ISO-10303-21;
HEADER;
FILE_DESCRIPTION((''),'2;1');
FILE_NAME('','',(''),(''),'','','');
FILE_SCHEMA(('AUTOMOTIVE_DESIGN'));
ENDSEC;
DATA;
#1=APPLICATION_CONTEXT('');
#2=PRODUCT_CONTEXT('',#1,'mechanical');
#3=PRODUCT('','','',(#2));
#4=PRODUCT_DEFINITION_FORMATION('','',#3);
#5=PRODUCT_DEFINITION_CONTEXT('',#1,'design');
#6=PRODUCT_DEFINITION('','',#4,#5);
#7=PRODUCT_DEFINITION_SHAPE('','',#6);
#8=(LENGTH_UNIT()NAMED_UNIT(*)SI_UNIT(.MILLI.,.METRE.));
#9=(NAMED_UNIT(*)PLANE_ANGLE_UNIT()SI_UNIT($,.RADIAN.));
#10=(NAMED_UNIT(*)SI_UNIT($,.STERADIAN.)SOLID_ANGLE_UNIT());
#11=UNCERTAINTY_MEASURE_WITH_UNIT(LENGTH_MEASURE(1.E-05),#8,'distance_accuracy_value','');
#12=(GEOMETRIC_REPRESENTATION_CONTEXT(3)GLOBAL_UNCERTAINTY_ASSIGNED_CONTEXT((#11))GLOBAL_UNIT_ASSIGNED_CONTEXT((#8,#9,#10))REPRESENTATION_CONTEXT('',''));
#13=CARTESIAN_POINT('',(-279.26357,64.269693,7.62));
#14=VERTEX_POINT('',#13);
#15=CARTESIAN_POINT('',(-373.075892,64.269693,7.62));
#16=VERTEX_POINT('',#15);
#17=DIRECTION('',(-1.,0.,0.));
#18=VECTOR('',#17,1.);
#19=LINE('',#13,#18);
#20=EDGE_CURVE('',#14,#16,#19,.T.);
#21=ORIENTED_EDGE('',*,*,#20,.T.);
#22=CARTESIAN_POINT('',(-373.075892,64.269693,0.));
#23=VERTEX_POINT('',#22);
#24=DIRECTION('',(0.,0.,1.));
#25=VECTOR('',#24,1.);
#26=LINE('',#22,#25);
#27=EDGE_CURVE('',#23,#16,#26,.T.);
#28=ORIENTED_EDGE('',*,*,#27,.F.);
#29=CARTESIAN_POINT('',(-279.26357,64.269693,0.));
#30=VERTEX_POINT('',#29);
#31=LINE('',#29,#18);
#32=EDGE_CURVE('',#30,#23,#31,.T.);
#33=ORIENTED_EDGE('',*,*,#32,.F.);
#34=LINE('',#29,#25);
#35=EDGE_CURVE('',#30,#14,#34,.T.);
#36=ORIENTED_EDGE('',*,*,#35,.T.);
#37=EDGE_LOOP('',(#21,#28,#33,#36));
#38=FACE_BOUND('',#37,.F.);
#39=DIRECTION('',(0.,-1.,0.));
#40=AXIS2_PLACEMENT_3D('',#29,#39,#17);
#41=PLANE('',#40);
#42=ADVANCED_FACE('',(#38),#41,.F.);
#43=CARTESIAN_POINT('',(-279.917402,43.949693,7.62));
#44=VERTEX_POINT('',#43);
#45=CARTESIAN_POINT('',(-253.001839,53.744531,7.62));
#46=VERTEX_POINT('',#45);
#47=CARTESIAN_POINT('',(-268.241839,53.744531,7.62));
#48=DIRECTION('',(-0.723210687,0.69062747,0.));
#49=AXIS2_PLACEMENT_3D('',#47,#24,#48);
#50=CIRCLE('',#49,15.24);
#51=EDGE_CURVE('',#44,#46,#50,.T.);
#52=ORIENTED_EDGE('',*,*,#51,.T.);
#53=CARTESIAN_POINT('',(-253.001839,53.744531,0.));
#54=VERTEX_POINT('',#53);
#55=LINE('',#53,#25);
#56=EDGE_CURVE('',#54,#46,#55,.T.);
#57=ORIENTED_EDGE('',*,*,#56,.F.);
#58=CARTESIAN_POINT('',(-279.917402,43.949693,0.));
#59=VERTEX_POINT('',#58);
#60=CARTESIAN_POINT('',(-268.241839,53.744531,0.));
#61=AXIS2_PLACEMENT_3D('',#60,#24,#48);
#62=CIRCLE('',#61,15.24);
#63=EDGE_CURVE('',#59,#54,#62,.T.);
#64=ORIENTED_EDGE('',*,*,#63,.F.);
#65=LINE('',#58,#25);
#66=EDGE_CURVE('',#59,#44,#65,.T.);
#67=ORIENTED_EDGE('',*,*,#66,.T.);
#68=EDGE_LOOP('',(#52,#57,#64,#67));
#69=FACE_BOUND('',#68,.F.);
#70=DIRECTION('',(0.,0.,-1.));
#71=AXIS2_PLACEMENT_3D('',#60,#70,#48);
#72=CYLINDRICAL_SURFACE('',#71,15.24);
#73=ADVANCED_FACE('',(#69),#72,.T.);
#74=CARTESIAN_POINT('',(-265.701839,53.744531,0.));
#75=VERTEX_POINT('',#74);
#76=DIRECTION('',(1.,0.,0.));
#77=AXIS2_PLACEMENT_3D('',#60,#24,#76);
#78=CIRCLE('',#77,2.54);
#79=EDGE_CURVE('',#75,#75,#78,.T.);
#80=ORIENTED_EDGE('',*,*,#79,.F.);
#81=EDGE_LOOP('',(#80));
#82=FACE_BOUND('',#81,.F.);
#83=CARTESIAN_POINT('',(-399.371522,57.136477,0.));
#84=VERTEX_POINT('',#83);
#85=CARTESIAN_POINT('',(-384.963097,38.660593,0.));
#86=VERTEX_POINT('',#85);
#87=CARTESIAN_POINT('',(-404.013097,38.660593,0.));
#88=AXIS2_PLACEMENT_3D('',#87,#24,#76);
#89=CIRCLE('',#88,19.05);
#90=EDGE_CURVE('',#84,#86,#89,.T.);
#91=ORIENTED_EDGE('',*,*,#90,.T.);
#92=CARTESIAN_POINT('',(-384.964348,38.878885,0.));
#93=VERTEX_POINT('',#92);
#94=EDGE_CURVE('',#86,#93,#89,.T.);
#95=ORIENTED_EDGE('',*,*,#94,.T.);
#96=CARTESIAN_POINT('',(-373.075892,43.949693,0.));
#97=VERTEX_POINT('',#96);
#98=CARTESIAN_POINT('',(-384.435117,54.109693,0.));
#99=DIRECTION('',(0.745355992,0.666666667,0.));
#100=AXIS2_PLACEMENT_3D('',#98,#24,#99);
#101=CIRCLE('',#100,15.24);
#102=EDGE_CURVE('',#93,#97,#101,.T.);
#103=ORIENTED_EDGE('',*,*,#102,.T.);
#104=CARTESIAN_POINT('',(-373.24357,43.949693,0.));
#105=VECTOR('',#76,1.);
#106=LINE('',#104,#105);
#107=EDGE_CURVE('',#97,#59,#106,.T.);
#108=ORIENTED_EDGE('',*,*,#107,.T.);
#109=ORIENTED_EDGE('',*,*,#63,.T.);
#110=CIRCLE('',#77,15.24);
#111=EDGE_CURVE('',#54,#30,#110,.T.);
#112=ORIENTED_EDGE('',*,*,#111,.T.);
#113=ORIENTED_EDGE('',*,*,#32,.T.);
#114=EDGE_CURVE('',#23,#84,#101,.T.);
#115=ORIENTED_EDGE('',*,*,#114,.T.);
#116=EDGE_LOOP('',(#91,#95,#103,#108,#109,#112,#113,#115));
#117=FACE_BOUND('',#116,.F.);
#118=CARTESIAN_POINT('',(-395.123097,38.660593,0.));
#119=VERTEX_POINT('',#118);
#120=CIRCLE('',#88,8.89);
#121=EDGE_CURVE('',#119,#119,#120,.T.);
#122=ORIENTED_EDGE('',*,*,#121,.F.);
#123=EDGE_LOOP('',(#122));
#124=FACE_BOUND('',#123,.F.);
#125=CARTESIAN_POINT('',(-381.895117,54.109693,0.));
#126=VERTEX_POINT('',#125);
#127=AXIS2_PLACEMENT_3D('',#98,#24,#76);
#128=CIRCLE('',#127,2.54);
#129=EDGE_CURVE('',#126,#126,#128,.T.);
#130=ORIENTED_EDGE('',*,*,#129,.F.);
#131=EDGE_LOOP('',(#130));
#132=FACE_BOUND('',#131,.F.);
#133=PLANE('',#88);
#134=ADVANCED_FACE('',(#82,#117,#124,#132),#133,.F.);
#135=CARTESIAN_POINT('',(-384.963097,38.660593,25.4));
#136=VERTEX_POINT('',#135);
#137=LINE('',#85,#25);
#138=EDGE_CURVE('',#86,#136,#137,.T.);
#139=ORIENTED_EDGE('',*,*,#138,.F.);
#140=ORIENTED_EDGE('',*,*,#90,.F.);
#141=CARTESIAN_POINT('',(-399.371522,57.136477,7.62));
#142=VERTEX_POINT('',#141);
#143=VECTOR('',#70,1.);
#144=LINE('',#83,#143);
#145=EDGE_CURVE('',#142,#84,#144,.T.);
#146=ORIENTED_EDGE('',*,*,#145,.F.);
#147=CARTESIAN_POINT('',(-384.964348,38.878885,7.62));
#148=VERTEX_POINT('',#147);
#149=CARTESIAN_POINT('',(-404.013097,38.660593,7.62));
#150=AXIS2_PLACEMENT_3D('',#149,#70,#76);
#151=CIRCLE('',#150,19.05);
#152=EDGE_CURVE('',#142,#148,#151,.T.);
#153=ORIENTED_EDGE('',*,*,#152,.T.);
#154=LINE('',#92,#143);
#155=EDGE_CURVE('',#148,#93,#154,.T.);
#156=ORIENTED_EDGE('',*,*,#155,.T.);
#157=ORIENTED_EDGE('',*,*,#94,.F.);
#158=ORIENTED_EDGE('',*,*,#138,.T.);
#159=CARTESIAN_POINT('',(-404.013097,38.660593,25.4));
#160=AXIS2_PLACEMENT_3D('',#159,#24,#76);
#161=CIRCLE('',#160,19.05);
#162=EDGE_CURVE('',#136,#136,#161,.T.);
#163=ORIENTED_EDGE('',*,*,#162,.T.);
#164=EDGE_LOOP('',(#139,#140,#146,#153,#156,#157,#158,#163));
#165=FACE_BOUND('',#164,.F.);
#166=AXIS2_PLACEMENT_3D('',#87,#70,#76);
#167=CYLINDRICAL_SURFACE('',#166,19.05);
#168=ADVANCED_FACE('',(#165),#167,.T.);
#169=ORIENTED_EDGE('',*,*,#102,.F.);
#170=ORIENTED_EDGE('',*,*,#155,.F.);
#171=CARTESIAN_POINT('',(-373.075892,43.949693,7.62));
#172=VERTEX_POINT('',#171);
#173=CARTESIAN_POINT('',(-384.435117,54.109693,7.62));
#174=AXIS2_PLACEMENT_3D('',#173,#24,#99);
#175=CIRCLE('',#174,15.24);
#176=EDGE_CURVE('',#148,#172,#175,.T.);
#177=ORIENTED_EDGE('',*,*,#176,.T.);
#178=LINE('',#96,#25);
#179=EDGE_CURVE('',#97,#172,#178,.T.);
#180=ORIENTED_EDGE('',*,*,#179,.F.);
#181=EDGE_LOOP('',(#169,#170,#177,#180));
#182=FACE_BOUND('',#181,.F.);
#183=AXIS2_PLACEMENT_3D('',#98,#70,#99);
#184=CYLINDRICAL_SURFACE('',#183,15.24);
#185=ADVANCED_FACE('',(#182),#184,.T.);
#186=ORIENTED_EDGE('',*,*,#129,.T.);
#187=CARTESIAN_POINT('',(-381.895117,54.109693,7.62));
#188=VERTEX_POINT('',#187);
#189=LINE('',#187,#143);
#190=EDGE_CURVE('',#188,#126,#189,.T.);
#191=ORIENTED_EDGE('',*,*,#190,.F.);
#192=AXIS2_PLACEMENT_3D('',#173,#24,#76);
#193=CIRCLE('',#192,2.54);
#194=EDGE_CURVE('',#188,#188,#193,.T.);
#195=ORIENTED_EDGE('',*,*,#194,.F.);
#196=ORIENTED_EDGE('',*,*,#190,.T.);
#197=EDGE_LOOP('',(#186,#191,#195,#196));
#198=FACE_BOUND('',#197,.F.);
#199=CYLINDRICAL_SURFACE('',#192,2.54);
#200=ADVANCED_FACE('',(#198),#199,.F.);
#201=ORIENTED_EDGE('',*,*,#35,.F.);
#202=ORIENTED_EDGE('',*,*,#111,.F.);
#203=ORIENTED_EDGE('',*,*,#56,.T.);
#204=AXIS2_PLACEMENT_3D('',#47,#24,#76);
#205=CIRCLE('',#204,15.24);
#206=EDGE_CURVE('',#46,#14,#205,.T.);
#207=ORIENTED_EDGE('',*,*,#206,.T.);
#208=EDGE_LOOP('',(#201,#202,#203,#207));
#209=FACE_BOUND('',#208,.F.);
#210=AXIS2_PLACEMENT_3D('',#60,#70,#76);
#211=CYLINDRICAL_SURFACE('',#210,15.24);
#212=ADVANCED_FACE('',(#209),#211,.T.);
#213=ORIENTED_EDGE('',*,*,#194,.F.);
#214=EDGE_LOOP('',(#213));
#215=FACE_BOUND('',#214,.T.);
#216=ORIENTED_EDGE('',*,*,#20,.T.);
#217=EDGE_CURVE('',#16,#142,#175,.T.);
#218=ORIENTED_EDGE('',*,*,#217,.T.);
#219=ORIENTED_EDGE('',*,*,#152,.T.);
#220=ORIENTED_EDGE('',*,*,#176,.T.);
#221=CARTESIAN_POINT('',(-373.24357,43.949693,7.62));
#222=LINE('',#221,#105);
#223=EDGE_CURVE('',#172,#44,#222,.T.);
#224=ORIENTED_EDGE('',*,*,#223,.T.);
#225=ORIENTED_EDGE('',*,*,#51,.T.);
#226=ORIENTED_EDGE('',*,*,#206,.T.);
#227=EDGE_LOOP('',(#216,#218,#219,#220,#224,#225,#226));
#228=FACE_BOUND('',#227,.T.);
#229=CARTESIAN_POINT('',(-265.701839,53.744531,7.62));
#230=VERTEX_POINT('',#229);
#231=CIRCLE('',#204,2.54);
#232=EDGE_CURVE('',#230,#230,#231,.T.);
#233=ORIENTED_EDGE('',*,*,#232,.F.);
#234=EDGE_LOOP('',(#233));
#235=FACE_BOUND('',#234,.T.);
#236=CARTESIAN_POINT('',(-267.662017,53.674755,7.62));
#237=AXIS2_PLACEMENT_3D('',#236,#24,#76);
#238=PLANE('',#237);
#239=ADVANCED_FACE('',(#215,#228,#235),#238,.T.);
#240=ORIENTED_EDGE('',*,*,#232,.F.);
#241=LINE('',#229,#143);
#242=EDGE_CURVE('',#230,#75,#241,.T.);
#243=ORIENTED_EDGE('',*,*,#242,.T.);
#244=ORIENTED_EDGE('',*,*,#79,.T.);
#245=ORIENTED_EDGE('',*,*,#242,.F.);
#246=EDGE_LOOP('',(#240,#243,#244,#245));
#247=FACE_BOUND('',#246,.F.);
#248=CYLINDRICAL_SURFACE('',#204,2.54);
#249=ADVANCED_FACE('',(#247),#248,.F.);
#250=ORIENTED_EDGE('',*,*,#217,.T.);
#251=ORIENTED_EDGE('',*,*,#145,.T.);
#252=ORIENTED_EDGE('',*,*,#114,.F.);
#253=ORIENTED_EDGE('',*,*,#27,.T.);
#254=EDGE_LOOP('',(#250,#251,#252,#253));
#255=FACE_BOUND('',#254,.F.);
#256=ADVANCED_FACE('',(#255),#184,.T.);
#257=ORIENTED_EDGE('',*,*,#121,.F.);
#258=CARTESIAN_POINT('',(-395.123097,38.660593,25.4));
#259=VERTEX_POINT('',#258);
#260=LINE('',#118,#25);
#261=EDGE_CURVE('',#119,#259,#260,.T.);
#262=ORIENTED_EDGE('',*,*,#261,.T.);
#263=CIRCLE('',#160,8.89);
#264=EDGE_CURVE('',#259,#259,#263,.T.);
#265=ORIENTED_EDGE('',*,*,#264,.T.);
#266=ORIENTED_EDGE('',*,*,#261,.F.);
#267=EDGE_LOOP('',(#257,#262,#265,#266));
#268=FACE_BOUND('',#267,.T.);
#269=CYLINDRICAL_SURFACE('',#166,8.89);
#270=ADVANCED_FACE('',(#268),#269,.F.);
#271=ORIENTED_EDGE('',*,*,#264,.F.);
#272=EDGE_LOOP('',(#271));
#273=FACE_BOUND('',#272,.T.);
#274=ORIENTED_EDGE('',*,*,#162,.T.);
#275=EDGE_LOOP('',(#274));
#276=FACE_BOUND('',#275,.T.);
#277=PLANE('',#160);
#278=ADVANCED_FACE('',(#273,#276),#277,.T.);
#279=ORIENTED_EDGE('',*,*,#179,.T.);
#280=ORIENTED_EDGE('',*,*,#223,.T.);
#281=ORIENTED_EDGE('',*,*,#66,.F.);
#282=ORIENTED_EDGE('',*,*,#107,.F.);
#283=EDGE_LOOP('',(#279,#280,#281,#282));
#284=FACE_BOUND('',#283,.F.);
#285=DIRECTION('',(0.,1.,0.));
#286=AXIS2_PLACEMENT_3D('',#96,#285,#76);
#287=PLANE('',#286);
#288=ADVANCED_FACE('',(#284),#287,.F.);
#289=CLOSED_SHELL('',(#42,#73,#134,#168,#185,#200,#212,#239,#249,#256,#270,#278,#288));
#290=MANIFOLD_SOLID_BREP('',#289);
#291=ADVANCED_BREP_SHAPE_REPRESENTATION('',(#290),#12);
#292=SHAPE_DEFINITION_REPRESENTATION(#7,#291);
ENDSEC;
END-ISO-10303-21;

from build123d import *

# Parameters (mm, degrees)
F1_DEPTH = 7.62
F2_R     = 2.54
F3_DEPTH = 25.4
F4_R     = 19.05
F4_R_2   = 8.89
F5_DEPTH = 25.4


with BuildPart() as f1:
    # F0 (on Top) → F1 (new body)
    with BuildSketch(Plane.XY):
        with BuildLine():
            ThreePointArc((-279.9174020173, 43.9496934414), (-263.0302165533, 39.4233371805), (-253.0018394569, 53.7445308008))
            ThreePointArc((-253.0018394569, 53.7445308008), (-262.5723411754, 67.8907101167), (-279.2635703278, 64.2696934414))
            Line((-279.2635703278, 64.2696934414), (-279.2635703278, 43.9496934414))
            Line((-279.2635703278, 43.9496934414), (-279.9174020173, 43.9496934414))
        make_face()
        with BuildLine():
            Line((-279.2635703278, 43.9496934414), (-279.2635703278, 64.2696934414))
            ThreePointArc((-279.2635703278, 64.2696934414), (-283.4739562591, 54.2346509123), (-279.9174020173, 43.9496934414))
            Line((-279.9174020173, 43.9496934414), (-279.2635703278, 43.9496934414))
        make_face()
        with BuildLine():
            ThreePointArc((-279.9174020173, 43.9496934414), (-283.4739562591, 54.2346509123), (-279.2635703278, 64.2696934414))
            Line((-279.2635703278, 64.2696934414), (-373.075891919, 64.2696934414))
            ThreePointArc((-373.075891919, 64.2696934414), (-370.1983304941, 59.5476620895), (-369.1951172447, 54.1096934414))
            ThreePointArc((-369.1951172447, 54.1096934414), (-370.1983304941, 48.6717247932), (-373.075891919, 43.9496934414))
            Line((-373.075891919, 43.9496934414), (-279.9174020173, 43.9496934414))
        make_face()
        with BuildLine():
            ThreePointArc((-369.1951172447, 54.1096934414), (-370.1983304941, 59.5476620895), (-373.075891919, 64.2696934414))
            Line((-373.075891919, 64.2696934414), (-373.2435703278, 64.2696934414))
            Line((-373.2435703278, 64.2696934414), (-373.2435703278, 43.9496934414))
            Line((-373.2435703278, 43.9496934414), (-373.075891919, 43.9496934414))
            ThreePointArc((-373.075891919, 43.9496934414), (-370.1983304941, 48.6717247932), (-369.1951172447, 54.1096934414))
        make_face()
        with BuildLine():
            Line((-373.2435703278, 64.2696934414), (-373.075891919, 64.2696934414))
            ThreePointArc((-373.075891919, 64.2696934414), (-399.6751172447, 54.1096934414), (-373.075891919, 43.9496934414))
            Line((-373.075891919, 43.9496934414), (-373.2435703278, 43.9496934414))
            Line((-373.2435703278, 43.9496934414), (-373.2435703278, 64.2696934414))
        make_face()
    extrude(amount=F1_DEPTH)

    # F2 (on face) → F3 (cut)
    with BuildSketch(Plane.XY.offset(7.62)):
        with Locations((-384.4351172447, 54.1096934414)):
            Circle(F2_R)
        with Locations((-268.2418394569, 53.7445308008)):
            Circle(F2_R)
    extrude(amount=-F3_DEPTH, mode=Mode.SUBTRACT)

    # F4 (on Top) → F5 (join)
    with BuildSketch(Plane.XY):
        with Locations((-404.0130972862, 38.6605933309)):
            Circle(F4_R)
        with Locations((-404.0130972862, 38.6605933309)):
            Circle(F4_R_2, mode=Mode.SUBTRACT)
    extrude(amount=F5_DEPTH)


solid = f1.part
